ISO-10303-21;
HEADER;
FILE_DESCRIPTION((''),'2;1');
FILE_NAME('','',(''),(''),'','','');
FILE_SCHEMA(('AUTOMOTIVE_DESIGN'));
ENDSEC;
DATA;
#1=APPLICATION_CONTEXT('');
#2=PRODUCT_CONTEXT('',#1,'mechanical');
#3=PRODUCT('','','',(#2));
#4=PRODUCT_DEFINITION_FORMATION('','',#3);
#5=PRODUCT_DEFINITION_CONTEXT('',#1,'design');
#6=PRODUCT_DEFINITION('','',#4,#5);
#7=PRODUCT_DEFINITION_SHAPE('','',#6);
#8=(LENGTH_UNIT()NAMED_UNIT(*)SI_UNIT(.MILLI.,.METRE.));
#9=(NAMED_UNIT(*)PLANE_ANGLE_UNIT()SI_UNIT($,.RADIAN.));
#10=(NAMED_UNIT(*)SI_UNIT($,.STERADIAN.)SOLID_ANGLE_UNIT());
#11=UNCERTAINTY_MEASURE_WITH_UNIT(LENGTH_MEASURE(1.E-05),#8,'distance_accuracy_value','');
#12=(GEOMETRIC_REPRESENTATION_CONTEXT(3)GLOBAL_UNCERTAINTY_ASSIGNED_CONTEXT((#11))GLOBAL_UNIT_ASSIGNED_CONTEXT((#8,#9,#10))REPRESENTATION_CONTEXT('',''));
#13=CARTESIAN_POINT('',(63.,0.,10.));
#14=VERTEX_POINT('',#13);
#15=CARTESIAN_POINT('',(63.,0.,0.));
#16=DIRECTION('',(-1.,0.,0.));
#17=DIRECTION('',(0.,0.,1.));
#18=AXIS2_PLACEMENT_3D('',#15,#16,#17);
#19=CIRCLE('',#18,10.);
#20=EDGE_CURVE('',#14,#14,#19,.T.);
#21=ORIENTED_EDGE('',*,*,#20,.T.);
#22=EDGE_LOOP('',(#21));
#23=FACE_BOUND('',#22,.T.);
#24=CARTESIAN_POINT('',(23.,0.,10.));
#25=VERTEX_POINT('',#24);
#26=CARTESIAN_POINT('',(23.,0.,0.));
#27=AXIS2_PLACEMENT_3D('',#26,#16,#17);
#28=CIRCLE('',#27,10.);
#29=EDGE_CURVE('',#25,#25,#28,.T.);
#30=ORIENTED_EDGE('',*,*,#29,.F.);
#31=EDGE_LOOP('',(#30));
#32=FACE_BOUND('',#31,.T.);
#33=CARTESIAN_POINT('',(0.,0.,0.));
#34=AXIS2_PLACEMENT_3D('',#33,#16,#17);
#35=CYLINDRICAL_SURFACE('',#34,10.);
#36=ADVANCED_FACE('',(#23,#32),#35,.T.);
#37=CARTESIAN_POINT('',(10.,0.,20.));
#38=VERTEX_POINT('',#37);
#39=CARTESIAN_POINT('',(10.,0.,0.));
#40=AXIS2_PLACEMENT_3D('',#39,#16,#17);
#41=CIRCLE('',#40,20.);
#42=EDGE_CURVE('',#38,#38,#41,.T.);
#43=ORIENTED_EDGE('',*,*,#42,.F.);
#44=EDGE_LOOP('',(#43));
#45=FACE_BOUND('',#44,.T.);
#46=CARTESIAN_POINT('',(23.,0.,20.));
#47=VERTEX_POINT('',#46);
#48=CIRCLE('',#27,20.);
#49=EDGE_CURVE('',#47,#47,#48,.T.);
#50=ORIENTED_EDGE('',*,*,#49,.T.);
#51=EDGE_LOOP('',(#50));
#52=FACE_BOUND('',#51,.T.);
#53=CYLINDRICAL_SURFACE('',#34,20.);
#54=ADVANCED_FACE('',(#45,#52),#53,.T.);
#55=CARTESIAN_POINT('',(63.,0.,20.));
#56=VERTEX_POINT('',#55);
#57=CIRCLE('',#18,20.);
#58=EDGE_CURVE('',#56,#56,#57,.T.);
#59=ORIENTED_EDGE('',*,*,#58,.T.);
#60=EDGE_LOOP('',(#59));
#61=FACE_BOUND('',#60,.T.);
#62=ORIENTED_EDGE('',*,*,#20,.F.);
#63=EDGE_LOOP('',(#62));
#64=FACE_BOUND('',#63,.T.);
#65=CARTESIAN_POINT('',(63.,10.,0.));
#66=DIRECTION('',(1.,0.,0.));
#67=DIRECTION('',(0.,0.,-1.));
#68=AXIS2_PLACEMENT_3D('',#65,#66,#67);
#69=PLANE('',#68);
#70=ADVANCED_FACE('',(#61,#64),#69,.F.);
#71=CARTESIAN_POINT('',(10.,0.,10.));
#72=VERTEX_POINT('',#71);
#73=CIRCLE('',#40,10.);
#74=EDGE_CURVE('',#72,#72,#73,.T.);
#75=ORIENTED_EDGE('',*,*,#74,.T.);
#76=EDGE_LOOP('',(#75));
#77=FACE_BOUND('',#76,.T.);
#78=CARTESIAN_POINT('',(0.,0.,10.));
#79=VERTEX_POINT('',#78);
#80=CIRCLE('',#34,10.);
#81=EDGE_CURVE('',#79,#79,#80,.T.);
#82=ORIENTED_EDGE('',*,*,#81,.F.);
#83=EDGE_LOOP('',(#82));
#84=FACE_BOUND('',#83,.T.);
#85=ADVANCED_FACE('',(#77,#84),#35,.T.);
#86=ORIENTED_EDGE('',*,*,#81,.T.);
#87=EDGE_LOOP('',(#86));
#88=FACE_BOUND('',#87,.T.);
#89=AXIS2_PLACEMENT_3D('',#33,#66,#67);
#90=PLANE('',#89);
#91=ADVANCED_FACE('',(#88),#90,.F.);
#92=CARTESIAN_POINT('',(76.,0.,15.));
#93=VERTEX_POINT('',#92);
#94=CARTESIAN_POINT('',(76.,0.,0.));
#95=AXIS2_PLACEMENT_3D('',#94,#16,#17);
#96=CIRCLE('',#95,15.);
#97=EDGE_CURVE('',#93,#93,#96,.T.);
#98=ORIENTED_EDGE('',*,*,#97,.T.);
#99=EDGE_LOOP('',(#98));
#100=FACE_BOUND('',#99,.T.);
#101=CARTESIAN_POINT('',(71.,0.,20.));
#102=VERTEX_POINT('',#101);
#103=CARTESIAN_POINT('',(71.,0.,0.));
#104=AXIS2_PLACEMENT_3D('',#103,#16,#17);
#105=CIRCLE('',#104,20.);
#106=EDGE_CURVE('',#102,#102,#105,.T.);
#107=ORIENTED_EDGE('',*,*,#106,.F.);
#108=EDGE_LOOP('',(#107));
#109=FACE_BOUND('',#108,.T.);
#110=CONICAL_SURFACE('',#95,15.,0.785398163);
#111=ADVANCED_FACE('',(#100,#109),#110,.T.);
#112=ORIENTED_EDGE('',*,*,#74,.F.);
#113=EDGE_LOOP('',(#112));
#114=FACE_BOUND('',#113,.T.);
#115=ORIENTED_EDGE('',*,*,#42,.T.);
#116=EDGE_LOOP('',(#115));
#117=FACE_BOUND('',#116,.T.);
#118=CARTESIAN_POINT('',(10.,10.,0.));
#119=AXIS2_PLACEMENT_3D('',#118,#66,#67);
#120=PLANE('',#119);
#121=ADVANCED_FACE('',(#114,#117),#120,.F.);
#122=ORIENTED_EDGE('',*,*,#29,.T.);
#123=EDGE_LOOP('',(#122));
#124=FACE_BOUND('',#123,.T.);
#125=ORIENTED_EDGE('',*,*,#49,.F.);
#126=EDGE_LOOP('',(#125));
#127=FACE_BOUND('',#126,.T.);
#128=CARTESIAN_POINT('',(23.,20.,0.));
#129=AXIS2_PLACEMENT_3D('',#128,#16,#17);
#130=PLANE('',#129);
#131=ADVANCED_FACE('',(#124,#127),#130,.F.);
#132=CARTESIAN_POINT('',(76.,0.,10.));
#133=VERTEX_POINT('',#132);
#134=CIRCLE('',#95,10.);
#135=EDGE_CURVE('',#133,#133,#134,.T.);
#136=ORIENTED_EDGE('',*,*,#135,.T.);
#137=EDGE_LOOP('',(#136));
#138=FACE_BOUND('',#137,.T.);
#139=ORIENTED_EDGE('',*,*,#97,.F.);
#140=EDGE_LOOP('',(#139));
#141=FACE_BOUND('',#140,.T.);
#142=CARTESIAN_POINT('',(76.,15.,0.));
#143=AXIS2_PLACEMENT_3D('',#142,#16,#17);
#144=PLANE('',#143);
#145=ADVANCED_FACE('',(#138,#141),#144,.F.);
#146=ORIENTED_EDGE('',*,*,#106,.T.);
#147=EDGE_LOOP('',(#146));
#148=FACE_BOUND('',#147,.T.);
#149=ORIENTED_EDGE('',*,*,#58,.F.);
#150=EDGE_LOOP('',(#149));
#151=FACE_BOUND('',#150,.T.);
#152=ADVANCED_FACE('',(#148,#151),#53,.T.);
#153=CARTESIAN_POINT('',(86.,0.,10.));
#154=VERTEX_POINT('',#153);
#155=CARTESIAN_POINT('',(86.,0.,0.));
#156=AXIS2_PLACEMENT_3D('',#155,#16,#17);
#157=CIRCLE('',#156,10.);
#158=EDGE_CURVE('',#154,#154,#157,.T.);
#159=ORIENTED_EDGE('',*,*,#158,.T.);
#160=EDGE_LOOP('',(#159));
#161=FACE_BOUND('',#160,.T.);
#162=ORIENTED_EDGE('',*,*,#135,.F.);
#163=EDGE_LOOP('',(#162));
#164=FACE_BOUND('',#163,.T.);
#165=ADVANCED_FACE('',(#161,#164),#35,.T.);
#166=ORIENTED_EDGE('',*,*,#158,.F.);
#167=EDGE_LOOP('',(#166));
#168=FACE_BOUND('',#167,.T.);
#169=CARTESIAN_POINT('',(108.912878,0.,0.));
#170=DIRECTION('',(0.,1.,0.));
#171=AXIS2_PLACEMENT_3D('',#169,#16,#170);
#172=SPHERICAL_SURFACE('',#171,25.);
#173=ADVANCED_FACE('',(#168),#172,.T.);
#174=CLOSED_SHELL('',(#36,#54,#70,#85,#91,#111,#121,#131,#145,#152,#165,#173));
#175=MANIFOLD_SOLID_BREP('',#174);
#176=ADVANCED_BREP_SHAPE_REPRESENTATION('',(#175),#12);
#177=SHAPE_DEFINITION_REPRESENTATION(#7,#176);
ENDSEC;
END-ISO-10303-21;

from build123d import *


with BuildPart() as part:
    # Sketch1 → Revolve1 (revolve)
    with BuildSketch(Plane.XY, mode=Mode.PRIVATE) as revolve1_sk:
        with BuildLine():
            Line((0, 0), (0, 10))
            Line((0, 10), (10, 10))
            Line((10, 10), (10, 20))
            Line((10, 20), (23, 20))
            Line((23, 20), (23, 10))
            Line((23, 10), (63, 10))
            Line((63, 10), (63, 20))
            Line((63, 20), (71, 20))
            Line((71, 20), (76, 15))
            Line((76, 15), (76, 10))
            Line((76, 10), (86, 10))
            ThreePointArc((86, 10), (114.020619567, 24.472657823), (133.912878475, 0))
            Line((133.912878475, 0), (0, 0))
        make_face()
    revolve(revolve1_sk.sketch.rotate(Axis((0, 0, 0), (1, 0, 0)), 90), axis=Axis((0, 0, 0), (1, 0, 0)))


solid = part.part
